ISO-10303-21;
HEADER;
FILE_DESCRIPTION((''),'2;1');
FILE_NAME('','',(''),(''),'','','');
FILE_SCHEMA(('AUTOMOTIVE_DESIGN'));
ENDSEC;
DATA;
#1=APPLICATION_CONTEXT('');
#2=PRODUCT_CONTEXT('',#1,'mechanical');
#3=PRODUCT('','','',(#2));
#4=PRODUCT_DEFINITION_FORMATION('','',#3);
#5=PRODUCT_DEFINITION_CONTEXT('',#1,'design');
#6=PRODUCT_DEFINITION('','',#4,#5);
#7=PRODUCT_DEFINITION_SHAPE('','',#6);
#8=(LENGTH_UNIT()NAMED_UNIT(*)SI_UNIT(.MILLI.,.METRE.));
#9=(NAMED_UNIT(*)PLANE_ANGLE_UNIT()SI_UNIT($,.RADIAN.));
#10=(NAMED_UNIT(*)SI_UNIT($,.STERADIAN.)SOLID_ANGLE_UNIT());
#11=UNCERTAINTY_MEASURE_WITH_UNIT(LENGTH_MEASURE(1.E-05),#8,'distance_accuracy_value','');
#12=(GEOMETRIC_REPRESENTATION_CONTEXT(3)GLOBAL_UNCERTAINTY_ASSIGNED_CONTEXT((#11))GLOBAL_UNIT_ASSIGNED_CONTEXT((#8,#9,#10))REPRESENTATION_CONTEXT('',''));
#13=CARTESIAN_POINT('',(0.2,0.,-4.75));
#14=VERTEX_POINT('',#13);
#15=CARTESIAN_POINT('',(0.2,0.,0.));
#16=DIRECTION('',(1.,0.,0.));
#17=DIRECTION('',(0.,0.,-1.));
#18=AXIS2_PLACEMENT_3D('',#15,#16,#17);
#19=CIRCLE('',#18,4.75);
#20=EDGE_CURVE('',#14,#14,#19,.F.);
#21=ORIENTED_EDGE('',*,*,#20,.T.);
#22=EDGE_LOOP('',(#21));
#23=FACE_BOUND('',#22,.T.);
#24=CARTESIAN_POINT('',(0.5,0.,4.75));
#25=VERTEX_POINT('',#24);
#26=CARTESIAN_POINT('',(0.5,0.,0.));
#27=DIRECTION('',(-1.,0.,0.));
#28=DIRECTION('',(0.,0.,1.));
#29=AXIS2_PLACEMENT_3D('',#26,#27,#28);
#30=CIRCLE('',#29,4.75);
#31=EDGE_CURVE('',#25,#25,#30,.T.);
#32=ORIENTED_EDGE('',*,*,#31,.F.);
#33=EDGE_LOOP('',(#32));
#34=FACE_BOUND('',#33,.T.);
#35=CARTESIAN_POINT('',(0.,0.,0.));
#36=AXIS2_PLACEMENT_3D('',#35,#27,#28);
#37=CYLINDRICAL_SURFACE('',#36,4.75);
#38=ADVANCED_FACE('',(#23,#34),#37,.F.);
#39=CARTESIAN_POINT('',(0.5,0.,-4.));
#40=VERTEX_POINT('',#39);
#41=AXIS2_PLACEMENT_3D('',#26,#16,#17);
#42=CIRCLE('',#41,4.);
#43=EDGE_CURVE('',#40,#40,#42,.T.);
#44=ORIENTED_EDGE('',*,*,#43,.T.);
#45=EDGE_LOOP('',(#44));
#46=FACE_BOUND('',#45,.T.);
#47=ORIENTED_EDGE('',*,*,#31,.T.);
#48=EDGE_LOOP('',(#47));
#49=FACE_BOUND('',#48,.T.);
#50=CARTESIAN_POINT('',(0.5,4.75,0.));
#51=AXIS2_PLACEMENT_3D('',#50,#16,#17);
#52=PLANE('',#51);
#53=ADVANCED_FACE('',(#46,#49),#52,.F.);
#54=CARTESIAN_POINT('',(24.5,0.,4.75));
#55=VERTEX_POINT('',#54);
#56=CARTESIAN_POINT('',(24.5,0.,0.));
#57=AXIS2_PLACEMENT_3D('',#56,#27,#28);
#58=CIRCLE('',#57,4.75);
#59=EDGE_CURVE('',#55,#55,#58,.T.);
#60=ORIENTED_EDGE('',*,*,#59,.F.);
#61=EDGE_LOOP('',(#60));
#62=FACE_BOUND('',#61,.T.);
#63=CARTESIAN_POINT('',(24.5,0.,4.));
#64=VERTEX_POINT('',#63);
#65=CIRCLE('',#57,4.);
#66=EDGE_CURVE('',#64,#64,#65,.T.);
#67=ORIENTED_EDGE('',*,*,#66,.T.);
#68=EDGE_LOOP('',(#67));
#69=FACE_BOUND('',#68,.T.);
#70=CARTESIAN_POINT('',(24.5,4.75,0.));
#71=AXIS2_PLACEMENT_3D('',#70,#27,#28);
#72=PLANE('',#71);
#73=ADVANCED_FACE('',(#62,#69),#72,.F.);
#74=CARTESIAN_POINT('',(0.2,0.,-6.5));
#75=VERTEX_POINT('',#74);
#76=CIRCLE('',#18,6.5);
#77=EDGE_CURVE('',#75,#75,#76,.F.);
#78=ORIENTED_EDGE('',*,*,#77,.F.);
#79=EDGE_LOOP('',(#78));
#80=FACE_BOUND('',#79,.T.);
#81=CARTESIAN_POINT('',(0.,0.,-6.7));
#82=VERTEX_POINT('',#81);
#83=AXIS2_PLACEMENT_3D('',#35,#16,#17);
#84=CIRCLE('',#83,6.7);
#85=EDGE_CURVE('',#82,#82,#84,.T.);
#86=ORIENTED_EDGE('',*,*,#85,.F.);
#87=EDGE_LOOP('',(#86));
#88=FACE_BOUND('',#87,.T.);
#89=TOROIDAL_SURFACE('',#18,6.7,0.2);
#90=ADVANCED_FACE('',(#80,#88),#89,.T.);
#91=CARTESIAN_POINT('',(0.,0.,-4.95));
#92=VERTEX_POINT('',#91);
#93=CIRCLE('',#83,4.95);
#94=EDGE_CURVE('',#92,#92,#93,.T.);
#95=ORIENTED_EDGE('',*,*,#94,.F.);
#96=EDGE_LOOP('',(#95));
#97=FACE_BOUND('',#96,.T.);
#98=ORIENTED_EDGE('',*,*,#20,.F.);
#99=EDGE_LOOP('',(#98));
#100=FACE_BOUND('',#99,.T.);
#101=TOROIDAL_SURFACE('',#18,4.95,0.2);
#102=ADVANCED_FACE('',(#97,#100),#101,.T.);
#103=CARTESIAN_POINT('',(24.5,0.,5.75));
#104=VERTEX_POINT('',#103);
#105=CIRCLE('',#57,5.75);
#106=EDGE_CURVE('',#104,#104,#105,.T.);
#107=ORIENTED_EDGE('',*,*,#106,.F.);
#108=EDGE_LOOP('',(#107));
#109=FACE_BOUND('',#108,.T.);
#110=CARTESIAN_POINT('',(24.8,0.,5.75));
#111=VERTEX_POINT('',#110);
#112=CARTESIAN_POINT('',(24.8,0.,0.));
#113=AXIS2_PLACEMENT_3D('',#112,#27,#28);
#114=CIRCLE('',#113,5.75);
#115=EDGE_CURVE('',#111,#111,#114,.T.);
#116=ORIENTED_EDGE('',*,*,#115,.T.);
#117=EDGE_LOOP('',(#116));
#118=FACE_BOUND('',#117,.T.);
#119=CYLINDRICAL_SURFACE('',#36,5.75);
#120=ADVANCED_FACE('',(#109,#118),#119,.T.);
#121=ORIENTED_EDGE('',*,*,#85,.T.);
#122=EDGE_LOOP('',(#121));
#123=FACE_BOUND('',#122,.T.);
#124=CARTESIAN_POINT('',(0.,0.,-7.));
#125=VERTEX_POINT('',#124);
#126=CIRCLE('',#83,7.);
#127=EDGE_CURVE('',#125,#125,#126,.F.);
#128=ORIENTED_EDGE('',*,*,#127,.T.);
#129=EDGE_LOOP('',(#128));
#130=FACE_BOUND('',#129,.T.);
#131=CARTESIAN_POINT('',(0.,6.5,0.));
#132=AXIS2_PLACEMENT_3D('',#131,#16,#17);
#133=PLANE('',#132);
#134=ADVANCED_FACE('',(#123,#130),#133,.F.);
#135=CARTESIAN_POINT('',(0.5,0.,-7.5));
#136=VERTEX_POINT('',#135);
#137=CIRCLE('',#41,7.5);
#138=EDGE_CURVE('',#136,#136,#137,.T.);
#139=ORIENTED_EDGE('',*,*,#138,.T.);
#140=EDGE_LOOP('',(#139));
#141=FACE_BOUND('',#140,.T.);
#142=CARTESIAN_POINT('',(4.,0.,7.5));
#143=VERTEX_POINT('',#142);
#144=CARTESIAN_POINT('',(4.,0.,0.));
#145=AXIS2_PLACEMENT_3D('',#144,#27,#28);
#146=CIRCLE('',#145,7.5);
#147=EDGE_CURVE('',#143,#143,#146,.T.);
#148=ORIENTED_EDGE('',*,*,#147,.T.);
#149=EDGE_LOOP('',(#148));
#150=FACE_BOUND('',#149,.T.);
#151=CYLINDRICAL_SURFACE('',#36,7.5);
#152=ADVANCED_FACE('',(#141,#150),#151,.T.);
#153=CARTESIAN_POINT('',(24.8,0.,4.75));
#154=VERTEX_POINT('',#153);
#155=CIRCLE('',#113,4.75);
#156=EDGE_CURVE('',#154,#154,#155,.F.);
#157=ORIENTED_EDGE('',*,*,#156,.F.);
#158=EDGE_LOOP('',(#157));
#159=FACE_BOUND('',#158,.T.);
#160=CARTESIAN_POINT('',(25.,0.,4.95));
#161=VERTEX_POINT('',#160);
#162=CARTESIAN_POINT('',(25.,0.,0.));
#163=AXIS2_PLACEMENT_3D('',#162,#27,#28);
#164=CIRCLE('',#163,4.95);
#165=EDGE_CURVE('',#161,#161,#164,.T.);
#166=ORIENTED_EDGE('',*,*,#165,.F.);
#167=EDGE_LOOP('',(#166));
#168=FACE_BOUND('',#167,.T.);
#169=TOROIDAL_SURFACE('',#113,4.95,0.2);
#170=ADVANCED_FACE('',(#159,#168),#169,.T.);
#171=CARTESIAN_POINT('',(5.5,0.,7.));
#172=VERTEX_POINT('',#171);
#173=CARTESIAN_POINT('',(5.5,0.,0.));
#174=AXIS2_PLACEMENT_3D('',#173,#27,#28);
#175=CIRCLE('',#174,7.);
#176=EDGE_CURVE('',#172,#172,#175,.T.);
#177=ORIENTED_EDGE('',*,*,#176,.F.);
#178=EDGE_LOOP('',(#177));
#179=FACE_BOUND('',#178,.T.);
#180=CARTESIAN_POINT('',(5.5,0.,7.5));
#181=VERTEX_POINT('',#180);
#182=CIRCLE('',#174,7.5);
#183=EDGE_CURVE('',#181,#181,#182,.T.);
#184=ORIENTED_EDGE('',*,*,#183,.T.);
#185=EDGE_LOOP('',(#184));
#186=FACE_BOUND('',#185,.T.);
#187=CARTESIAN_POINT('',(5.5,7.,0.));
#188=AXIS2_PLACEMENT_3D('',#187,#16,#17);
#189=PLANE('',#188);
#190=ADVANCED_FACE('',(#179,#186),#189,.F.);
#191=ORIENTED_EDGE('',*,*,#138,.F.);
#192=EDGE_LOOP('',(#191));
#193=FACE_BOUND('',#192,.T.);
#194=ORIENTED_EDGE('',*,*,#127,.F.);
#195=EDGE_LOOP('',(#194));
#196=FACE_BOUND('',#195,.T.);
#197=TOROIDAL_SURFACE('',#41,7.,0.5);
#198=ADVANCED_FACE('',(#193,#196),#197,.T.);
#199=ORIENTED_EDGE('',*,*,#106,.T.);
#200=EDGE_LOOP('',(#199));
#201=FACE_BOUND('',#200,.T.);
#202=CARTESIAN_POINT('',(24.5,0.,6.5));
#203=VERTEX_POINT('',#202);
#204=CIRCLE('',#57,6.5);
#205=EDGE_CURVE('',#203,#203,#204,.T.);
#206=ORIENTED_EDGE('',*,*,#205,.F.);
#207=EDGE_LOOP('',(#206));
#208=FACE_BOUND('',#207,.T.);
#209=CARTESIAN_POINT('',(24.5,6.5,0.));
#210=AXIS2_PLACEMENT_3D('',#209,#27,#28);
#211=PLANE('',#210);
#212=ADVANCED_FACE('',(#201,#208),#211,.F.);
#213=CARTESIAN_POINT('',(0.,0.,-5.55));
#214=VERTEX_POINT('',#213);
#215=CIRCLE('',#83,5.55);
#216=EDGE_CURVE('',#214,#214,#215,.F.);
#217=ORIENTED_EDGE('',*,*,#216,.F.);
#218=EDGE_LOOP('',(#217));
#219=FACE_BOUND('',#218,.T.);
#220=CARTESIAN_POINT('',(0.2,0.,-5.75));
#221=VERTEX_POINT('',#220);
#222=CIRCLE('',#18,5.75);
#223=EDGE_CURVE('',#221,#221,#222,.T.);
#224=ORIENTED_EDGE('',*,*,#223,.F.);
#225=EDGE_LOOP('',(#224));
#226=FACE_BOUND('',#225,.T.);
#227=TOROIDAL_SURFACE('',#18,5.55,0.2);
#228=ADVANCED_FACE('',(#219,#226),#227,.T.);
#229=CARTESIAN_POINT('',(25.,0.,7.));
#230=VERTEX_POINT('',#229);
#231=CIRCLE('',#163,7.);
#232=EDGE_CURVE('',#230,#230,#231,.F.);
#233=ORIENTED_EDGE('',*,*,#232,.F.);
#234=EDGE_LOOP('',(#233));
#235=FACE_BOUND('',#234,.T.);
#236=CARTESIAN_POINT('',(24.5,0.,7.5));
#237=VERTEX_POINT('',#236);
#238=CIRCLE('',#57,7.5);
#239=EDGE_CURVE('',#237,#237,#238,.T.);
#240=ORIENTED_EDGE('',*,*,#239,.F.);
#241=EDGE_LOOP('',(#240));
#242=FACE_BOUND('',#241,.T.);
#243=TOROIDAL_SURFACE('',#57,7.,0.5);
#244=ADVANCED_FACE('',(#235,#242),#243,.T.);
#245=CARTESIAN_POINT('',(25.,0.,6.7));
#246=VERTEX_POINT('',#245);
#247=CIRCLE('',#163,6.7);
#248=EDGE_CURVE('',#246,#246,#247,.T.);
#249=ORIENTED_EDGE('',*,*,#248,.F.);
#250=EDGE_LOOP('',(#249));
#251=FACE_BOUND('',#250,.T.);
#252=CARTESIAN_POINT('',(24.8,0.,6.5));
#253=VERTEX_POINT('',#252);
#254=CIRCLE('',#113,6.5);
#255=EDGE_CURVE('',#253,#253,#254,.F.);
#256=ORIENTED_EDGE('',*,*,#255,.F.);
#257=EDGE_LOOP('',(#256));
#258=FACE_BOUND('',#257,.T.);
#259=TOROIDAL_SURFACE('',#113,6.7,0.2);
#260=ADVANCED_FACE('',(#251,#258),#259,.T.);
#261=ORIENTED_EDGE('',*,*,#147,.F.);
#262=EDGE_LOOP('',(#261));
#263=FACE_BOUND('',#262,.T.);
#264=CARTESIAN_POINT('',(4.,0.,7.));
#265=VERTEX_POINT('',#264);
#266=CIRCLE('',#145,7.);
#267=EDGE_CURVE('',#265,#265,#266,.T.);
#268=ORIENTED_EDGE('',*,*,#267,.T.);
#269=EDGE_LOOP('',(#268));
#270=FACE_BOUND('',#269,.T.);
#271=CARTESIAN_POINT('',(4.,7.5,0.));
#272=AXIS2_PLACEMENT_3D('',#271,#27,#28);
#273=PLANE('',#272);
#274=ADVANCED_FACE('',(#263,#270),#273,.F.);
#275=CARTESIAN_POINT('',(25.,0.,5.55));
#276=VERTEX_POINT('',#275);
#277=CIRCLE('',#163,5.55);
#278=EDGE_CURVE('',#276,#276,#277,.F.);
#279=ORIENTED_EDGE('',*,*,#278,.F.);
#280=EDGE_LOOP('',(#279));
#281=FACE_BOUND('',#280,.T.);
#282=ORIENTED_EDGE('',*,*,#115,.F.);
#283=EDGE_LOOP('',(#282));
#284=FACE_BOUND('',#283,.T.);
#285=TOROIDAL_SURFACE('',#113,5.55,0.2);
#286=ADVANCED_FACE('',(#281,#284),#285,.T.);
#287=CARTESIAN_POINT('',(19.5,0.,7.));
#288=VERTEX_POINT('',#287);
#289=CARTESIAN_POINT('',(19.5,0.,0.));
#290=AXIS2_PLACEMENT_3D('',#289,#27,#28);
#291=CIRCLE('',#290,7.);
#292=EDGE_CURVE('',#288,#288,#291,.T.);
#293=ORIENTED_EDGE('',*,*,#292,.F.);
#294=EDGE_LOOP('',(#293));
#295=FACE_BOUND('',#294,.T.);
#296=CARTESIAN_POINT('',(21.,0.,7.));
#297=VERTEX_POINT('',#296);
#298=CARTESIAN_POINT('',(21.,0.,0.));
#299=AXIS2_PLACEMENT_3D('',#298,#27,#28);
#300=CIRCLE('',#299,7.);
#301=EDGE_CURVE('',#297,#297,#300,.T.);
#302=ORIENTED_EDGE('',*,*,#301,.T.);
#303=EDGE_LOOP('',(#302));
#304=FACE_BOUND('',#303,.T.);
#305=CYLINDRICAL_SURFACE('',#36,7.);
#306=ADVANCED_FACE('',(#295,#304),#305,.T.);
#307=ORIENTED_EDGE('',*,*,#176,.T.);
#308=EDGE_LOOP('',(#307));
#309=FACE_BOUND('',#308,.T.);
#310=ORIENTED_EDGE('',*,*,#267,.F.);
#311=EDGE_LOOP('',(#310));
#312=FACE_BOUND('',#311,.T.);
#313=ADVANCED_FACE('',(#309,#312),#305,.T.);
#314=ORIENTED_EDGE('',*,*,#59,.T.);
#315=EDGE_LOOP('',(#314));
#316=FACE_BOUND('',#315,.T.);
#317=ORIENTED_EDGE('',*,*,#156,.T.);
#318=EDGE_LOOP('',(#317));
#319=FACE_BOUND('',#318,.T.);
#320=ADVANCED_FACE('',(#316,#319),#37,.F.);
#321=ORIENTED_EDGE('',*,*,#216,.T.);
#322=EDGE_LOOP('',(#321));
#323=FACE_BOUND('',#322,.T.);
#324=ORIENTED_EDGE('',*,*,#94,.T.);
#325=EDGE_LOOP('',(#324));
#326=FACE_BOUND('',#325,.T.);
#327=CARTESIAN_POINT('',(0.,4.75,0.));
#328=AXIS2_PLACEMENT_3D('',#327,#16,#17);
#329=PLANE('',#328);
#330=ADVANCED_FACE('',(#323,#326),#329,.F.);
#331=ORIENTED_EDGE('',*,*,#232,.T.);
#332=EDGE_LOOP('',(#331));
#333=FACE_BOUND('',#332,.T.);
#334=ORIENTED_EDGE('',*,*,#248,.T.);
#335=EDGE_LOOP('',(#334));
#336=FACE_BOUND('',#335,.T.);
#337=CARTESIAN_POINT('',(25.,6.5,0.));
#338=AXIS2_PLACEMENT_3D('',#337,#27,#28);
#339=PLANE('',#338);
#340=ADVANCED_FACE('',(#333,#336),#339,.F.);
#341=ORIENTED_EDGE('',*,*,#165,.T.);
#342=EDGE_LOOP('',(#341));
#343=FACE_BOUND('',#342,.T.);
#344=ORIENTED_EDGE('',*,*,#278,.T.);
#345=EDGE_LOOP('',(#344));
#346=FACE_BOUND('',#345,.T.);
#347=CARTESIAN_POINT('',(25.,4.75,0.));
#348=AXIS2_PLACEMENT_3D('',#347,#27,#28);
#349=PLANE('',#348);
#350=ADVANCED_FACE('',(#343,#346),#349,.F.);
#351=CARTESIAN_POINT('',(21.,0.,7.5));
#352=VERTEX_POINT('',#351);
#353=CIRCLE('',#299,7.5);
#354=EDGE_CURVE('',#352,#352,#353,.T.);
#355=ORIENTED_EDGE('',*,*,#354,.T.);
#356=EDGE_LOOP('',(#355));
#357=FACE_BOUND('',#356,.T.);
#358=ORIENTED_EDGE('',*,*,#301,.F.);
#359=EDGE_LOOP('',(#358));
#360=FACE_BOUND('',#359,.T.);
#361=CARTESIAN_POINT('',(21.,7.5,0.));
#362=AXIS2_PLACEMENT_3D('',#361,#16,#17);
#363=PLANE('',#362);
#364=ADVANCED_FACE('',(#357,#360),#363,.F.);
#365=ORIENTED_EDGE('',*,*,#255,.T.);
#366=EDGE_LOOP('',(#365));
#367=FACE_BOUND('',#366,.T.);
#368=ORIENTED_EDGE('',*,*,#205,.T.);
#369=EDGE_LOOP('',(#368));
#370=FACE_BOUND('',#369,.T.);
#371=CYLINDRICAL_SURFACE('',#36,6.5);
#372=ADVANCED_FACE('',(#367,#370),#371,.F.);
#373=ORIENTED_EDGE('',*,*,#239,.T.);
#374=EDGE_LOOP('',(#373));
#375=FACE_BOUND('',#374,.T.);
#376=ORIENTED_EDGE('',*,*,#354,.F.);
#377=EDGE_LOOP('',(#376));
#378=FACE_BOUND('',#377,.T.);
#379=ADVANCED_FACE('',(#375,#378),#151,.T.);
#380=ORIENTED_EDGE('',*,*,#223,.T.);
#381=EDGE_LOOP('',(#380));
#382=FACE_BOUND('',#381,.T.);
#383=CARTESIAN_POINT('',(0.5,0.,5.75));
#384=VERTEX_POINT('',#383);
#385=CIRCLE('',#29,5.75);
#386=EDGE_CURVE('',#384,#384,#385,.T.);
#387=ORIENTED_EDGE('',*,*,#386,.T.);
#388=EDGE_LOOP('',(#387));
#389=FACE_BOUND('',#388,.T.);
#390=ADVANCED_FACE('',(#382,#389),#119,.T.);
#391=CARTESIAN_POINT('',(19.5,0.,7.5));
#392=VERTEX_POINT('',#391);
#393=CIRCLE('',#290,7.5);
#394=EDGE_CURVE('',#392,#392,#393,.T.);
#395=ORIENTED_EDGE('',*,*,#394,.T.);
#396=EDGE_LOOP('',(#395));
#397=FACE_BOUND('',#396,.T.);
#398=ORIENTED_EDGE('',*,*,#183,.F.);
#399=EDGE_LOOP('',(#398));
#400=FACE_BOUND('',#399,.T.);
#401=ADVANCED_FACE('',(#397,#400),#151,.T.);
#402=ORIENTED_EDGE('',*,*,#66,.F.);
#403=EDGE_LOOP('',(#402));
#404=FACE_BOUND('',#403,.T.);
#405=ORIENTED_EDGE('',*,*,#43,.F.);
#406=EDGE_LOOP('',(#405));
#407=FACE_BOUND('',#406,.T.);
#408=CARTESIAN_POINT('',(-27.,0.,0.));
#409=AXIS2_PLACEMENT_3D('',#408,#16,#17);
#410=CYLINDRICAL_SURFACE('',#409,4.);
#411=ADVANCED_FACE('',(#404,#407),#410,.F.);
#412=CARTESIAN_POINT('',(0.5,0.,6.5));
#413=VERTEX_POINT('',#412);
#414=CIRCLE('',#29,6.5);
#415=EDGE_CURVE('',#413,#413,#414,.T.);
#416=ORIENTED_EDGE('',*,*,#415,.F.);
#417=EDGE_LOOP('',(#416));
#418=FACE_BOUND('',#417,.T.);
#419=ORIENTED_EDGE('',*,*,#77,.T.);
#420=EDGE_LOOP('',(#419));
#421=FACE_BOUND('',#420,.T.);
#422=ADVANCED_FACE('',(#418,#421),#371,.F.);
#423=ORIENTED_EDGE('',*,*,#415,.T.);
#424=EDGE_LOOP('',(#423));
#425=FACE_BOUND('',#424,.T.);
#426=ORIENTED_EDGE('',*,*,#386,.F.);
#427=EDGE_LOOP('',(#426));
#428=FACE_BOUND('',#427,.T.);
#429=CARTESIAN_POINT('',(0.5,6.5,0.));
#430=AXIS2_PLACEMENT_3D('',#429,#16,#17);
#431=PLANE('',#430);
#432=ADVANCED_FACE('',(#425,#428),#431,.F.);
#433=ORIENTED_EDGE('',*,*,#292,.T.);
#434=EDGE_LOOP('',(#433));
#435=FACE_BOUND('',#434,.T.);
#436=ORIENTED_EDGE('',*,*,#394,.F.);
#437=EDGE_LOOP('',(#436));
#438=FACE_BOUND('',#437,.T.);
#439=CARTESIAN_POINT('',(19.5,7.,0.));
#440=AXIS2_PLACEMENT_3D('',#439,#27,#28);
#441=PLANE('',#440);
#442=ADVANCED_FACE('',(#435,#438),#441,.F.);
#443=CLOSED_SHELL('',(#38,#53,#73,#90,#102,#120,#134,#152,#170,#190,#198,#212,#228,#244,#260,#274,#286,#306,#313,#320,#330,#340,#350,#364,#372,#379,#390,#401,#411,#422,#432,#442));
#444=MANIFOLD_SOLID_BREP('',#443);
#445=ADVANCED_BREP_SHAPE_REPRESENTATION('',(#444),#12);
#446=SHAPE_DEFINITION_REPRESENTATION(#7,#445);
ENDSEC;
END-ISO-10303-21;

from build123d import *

# Parameters (mm, degrees)
SKETCH2_R          = 4
CUT_EXTRUDE1_DEPTH = 52
FILLET1_R          = 0.5
FILLET2_R          = 0.2


with BuildPart() as part:
    # Sketch1 → Revolve1 (revolve)
    with BuildSketch(Plane.XY, mode=Mode.PRIVATE) as revolve1_sk:
        Polygon((25, 6.5), (24.5, 6.5), (24.5, 5.75), (25, 5.75), (25, 4.75), (24.5, 4.75), (24.5, 4), (25, 4), (25, 0), (0, 0), (0, 4), (0.5, 4), (0.5, 4.75), (0, 4.75), (0, 5.75), (0.5, 5.75), (0.5, 6.5), (0, 6.5), (0, 7.5), (4, 7.5), (4, 7), (5.5, 7), (5.5, 7.5), (19.5, 7.5), (19.5, 7), (21, 7), (21, 7.5), (25, 7.5), align=None)
    revolve(revolve1_sk.sketch.rotate(Axis((0, 0, 0), (1, 0, 0)), 90), axis=Axis((0, 0, 0), (1, 0, 0)))

    # Sketch2 → Cut-Extrude1 (cut)
    with BuildSketch(Plane(origin=(25, 0, 0), x_dir=(0, 0, -1), z_dir=(1, 0, 0))):
        Circle(SKETCH2_R)
    extrude(amount=-CUT_EXTRUDE1_DEPTH, mode=Mode.SUBTRACT)

    # Fillet1
    fillet1_edges = [part.edges().sort_by_distance(p)[0] for p in [
        (0, 0, -7.5),
        (25, 0, -7.5),
    ]]
    fillet(fillet1_edges, radius=FILLET1_R)

    # Fillet2
    fillet2_edges = [part.edges().sort_by_distance(p)[0] for p in [
        (0, 0, -4.75),
        (0, 0, -5.75),
        (0, 0, -6.5),
        (25, 0, -6.5),
        (25, 0, -5.75),
        (25, 0, -4.75),
    ]]
    fillet(fillet2_edges, radius=FILLET2_R)


solid = part.part
